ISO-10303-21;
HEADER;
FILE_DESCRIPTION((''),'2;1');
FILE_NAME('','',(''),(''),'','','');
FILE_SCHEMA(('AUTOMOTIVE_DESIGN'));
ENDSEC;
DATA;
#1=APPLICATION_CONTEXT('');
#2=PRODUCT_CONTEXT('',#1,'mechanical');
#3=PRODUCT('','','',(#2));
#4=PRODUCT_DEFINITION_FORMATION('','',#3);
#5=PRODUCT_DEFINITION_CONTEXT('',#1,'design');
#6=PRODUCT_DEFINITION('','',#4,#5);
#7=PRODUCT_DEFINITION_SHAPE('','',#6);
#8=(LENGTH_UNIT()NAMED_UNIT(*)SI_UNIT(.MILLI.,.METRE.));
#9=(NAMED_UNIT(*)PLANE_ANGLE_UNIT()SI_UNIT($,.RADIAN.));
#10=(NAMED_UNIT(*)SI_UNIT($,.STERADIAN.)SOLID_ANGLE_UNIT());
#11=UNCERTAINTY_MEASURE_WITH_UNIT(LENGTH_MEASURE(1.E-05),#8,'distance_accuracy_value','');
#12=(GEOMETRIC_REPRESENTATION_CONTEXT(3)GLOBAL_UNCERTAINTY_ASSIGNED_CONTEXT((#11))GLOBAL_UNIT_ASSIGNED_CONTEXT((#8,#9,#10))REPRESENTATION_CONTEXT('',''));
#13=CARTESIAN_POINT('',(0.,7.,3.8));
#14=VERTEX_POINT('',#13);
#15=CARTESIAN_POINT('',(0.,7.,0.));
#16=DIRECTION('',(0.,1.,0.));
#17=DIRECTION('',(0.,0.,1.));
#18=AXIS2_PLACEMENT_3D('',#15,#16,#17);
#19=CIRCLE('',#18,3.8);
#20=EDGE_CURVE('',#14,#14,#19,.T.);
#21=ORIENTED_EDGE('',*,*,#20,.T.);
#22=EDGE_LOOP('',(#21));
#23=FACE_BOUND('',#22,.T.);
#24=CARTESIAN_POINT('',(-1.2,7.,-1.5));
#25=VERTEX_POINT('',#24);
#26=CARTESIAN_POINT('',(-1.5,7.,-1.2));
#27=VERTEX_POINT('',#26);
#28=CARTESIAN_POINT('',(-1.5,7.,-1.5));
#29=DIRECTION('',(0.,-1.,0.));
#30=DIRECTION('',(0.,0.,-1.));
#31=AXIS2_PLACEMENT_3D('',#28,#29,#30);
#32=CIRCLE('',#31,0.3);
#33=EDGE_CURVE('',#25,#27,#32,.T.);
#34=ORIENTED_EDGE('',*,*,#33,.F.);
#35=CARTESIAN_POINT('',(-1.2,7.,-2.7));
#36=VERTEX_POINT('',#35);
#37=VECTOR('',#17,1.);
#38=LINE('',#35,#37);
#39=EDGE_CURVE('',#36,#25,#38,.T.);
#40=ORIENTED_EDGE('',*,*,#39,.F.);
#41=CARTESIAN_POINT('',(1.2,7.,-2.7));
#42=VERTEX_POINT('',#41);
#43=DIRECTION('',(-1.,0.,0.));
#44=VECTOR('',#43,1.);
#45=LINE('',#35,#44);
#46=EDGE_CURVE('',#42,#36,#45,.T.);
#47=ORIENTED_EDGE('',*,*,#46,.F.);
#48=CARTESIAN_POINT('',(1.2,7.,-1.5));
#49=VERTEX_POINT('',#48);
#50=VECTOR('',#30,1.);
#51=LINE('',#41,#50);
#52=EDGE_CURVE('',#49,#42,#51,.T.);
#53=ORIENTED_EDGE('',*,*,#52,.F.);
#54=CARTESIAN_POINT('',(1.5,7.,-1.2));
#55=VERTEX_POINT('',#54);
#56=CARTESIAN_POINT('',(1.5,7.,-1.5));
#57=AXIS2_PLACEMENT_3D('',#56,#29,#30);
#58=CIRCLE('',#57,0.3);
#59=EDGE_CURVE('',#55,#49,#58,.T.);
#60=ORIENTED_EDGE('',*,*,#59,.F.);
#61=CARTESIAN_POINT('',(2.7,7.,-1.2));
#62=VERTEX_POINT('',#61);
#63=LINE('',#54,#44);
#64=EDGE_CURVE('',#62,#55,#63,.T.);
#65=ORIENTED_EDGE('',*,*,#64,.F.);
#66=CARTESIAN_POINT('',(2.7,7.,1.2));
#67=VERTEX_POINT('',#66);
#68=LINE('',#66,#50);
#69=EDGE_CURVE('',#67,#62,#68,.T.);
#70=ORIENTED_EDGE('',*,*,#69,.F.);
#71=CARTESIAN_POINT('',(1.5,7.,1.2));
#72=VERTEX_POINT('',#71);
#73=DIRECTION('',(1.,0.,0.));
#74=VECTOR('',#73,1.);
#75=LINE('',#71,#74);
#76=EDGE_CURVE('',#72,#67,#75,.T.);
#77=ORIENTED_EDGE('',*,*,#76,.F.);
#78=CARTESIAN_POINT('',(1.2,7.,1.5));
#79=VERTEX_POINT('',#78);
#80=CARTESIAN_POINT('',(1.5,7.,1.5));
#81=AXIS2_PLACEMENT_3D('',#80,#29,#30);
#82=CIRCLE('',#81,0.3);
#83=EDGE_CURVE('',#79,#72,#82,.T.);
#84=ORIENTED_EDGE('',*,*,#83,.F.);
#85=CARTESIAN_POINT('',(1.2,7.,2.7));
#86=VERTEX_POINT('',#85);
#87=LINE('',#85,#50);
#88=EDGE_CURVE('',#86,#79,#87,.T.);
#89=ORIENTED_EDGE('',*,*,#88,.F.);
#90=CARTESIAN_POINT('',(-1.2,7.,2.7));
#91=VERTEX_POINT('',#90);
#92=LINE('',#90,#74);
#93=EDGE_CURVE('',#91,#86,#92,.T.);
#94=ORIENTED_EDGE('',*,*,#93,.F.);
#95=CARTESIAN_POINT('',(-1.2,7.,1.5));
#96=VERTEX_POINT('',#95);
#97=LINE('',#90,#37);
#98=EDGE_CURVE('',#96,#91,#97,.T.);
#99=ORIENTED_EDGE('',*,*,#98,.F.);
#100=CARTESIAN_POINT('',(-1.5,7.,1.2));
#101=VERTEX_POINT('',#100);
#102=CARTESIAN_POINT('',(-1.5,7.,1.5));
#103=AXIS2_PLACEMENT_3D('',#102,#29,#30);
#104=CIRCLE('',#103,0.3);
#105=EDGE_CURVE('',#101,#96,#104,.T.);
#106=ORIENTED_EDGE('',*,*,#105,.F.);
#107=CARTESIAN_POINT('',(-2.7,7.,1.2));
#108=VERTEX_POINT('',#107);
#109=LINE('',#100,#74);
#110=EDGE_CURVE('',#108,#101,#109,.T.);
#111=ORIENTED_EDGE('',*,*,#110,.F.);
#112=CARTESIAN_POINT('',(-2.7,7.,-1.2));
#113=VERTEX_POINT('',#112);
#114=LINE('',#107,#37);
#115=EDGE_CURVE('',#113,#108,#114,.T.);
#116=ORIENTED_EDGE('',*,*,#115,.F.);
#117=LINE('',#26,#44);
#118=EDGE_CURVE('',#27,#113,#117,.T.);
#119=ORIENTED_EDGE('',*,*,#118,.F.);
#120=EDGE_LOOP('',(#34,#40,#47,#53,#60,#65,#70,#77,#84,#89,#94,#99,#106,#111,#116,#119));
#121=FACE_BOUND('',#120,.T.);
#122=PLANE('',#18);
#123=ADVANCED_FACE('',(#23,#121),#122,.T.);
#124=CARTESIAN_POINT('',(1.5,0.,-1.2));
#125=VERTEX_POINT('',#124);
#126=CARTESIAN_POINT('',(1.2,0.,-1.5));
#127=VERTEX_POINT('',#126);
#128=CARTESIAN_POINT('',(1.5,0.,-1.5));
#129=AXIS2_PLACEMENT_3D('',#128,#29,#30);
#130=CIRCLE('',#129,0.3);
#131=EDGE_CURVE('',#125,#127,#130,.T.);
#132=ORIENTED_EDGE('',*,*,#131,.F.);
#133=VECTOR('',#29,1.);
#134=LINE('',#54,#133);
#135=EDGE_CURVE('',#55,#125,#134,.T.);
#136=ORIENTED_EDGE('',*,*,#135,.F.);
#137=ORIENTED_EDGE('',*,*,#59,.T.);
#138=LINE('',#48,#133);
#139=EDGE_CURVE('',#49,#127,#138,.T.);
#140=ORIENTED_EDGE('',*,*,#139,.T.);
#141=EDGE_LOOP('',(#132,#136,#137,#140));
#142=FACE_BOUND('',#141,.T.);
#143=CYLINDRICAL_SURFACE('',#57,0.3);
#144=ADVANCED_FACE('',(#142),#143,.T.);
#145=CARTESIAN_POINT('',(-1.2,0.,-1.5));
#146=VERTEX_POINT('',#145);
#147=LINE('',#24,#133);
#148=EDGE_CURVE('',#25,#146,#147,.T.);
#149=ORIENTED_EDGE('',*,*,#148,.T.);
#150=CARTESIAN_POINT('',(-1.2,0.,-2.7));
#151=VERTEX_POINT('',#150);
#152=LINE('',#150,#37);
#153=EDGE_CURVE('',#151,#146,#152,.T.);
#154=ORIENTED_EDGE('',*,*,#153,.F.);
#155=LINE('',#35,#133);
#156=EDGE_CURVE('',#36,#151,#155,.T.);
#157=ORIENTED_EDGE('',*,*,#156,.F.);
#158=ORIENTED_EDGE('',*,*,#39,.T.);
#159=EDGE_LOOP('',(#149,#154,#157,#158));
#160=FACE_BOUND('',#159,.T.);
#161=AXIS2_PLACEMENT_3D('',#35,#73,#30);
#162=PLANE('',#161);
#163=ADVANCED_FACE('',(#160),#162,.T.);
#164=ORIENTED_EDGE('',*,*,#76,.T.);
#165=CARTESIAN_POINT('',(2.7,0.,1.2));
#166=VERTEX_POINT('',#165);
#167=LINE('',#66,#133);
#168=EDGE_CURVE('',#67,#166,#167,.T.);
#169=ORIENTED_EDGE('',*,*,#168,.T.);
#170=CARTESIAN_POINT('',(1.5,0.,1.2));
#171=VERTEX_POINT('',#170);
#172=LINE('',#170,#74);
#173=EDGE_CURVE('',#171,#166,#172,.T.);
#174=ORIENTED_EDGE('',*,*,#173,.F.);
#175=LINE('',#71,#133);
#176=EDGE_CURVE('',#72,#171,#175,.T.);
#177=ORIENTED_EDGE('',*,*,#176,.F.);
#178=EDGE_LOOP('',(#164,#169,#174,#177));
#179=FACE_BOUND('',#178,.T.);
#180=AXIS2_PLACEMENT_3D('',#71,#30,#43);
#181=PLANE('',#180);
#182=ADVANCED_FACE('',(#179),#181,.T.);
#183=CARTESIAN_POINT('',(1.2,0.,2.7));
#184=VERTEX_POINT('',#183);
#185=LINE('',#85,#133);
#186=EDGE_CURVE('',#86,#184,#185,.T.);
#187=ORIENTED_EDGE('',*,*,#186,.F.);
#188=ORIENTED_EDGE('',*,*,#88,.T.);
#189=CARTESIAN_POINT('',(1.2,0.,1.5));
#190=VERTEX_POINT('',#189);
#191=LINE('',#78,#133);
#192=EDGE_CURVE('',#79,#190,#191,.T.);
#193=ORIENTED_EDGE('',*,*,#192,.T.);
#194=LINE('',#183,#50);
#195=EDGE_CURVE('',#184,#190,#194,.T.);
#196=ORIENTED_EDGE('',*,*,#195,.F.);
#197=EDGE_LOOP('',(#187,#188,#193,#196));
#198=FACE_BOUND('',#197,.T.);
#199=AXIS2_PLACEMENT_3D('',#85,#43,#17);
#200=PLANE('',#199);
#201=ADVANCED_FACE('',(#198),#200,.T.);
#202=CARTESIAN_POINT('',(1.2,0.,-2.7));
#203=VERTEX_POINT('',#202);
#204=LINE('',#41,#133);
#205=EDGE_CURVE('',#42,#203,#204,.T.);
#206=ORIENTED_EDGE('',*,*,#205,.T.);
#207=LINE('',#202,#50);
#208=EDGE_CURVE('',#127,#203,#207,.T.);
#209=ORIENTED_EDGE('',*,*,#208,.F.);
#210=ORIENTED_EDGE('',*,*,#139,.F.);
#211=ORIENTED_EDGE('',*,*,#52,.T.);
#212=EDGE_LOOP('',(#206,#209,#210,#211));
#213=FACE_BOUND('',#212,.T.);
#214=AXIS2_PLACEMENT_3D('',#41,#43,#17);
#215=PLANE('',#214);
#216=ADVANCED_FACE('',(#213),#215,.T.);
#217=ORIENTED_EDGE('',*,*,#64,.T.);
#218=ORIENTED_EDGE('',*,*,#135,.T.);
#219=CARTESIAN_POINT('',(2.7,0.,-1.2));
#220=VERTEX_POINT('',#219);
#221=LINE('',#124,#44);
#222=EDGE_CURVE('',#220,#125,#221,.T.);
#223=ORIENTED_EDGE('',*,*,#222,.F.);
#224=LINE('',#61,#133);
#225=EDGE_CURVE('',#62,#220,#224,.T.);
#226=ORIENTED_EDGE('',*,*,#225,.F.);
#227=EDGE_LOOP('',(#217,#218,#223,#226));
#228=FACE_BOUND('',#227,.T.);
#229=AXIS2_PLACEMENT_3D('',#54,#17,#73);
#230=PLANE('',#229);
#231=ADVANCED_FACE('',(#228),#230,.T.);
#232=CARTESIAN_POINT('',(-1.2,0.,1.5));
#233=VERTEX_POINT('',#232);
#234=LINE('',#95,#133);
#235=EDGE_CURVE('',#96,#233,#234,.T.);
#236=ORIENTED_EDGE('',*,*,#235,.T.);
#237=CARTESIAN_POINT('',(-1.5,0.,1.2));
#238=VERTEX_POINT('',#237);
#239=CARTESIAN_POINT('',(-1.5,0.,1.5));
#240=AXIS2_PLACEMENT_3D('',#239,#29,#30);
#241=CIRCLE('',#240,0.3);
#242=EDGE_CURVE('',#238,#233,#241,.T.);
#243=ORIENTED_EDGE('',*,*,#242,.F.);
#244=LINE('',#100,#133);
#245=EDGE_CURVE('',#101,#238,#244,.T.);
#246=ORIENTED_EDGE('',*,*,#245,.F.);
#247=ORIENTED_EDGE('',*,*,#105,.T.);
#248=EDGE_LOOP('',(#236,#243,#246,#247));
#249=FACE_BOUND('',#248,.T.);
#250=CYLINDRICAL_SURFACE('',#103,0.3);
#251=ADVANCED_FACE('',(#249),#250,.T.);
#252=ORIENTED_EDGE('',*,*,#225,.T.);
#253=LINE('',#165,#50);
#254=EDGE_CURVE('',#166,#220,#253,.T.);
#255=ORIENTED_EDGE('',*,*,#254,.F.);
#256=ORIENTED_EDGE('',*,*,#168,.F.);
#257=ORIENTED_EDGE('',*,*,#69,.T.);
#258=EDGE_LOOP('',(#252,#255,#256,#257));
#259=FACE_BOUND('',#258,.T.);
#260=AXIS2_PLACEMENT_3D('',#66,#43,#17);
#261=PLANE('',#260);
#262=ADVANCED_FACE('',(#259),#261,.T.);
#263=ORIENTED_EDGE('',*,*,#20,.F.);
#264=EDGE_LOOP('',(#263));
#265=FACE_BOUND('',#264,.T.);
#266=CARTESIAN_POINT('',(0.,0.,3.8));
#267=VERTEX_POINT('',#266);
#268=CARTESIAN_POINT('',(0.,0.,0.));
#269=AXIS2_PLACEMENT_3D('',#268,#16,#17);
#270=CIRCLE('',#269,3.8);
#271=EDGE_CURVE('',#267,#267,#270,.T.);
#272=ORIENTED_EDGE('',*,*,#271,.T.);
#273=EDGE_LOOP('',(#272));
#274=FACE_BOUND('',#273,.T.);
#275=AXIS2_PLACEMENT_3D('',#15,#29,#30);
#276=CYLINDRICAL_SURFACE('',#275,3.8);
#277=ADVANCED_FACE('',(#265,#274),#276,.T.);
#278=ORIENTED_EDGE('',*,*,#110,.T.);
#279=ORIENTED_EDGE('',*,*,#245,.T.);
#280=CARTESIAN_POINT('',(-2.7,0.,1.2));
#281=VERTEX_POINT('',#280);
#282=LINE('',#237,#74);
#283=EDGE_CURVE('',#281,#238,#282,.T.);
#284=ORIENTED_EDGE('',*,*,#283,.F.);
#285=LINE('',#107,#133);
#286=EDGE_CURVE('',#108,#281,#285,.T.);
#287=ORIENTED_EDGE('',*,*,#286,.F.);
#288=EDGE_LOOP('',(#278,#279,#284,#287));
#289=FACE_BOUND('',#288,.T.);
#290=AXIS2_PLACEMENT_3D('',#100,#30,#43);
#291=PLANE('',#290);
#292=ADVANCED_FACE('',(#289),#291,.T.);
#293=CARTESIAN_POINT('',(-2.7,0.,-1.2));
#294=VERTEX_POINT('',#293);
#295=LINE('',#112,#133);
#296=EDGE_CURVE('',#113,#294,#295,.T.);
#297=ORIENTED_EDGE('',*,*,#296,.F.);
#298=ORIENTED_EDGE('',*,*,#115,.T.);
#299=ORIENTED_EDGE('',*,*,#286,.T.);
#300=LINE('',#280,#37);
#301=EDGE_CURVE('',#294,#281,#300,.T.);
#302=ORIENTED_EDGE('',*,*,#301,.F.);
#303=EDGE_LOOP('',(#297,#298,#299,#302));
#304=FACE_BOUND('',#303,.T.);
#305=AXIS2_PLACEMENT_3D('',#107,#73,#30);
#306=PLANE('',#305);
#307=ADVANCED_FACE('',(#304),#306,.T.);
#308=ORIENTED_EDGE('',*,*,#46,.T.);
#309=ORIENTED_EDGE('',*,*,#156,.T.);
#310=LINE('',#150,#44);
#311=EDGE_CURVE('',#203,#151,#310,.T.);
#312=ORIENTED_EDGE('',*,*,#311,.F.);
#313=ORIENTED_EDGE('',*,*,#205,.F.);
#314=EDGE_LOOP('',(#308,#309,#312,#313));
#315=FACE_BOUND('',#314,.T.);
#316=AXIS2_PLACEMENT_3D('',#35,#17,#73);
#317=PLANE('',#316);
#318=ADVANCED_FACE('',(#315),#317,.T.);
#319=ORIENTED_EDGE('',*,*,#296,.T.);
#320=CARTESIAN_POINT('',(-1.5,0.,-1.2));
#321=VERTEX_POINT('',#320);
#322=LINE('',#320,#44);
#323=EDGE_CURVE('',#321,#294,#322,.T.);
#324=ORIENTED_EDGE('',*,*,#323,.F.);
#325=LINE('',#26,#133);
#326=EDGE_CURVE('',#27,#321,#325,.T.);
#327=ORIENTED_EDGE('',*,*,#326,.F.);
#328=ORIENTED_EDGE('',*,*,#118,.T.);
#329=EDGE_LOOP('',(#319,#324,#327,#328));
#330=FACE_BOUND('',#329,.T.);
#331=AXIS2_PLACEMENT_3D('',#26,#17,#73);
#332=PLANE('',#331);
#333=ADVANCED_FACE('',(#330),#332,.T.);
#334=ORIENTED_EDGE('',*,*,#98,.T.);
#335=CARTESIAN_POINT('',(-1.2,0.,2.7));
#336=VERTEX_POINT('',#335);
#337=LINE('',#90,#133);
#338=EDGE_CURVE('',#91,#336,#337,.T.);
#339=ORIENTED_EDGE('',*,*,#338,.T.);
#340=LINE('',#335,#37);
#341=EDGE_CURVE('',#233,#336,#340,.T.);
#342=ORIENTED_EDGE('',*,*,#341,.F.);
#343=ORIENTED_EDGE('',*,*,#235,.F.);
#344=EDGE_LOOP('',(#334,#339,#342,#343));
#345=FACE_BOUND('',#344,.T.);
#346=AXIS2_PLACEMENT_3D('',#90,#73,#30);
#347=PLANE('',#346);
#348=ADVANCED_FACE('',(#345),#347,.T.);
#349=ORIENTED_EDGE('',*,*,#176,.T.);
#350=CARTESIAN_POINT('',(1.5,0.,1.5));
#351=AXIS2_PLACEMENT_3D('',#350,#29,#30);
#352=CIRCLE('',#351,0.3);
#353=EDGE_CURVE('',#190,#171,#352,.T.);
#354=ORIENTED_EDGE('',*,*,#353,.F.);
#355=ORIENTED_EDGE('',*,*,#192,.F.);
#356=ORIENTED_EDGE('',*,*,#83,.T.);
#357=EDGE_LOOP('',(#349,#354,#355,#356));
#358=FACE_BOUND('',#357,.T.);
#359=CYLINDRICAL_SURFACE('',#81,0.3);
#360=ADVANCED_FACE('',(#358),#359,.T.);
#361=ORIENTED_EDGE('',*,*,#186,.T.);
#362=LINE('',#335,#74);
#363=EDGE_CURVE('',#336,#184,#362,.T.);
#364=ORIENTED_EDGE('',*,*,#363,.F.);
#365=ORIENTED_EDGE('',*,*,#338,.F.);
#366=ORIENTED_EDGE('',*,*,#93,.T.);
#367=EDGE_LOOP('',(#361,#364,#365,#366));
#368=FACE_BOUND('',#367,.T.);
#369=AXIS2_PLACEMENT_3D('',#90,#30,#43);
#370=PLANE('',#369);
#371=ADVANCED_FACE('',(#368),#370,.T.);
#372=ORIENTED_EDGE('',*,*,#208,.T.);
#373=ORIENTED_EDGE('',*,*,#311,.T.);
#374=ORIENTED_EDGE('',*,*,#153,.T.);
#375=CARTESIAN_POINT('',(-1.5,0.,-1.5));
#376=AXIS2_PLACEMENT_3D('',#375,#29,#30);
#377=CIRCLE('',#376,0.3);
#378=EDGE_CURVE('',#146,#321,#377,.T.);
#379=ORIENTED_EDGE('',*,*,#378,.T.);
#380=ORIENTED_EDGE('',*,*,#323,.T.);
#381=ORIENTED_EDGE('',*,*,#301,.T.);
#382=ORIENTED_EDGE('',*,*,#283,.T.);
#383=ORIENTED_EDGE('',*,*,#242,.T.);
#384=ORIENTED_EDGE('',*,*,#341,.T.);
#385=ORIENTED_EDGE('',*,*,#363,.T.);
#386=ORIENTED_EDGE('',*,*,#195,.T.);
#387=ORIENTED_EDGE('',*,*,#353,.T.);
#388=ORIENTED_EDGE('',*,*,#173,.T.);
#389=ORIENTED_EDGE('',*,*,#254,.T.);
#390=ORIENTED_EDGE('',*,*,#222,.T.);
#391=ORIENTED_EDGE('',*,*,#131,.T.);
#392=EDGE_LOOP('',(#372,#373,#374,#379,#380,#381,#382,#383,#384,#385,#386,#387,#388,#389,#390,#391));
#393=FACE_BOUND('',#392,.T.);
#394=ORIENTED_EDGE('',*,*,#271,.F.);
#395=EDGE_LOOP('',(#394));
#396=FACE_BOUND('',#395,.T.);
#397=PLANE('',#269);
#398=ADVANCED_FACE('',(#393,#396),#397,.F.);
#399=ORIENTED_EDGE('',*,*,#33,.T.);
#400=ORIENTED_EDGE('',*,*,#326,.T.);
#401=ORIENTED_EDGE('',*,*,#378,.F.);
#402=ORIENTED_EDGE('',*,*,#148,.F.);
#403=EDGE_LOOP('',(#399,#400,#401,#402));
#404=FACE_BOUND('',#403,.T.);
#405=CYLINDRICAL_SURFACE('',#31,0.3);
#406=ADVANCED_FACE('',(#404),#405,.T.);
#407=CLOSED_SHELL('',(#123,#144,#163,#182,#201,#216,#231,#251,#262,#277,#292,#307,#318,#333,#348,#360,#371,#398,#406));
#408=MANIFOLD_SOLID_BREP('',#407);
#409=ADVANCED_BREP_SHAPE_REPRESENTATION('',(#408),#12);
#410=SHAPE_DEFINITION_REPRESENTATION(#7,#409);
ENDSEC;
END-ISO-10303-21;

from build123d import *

# Parameters (mm, degrees)
SKETCH1_R           = 3.8
BOSS_EXTRUDE1_DEPTH = 7


with BuildPart() as part:
    # Sketch1 → Boss-Extrude1 (new body)
    with BuildSketch(Plane(origin=(0, 0, 0), x_dir=(1, 0, 0), z_dir=(0, 1, 0))):
        with Locations(Location((0, 0, 0), (0, 0, 270))):
            Circle(SKETCH1_R)
        with BuildLine():
            Line((1.5, -1.2), (2.7, -1.2))
            Line((2.7, -1.2), (2.7, 1.2))
            Line((2.7, 1.2), (1.5, 1.2))
            ThreePointArc((1.5, 1.2), (1.287867966, 1.287867966), (1.2, 1.5))
            Line((1.2, 1.5), (1.2, 2.7))
            Line((1.2, 2.7), (-1.2, 2.7))
            Line((-1.2, 2.7), (-1.2, 1.5))
            ThreePointArc((-1.2, 1.5), (-1.287867966, 1.287867966), (-1.5, 1.2))
            Line((-1.5, 1.2), (-2.7, 1.2))
            Line((-2.7, 1.2), (-2.7, -1.2))
            Line((-2.7, -1.2), (-1.5, -1.2))
            ThreePointArc((-1.5, -1.2), (-1.287867966, -1.287867966), (-1.2, -1.5))
            Line((-1.2, -1.5), (-1.2, -2.7))
            Line((-1.2, -2.7), (1.2, -2.7))
            Line((1.2, -2.7), (1.2, -1.5))
            ThreePointArc((1.2, -1.5), (1.287867966, -1.287867966), (1.5, -1.2))
        make_face(mode=Mode.SUBTRACT)
    extrude(amount=BOSS_EXTRUDE1_DEPTH)


solid = part.part
